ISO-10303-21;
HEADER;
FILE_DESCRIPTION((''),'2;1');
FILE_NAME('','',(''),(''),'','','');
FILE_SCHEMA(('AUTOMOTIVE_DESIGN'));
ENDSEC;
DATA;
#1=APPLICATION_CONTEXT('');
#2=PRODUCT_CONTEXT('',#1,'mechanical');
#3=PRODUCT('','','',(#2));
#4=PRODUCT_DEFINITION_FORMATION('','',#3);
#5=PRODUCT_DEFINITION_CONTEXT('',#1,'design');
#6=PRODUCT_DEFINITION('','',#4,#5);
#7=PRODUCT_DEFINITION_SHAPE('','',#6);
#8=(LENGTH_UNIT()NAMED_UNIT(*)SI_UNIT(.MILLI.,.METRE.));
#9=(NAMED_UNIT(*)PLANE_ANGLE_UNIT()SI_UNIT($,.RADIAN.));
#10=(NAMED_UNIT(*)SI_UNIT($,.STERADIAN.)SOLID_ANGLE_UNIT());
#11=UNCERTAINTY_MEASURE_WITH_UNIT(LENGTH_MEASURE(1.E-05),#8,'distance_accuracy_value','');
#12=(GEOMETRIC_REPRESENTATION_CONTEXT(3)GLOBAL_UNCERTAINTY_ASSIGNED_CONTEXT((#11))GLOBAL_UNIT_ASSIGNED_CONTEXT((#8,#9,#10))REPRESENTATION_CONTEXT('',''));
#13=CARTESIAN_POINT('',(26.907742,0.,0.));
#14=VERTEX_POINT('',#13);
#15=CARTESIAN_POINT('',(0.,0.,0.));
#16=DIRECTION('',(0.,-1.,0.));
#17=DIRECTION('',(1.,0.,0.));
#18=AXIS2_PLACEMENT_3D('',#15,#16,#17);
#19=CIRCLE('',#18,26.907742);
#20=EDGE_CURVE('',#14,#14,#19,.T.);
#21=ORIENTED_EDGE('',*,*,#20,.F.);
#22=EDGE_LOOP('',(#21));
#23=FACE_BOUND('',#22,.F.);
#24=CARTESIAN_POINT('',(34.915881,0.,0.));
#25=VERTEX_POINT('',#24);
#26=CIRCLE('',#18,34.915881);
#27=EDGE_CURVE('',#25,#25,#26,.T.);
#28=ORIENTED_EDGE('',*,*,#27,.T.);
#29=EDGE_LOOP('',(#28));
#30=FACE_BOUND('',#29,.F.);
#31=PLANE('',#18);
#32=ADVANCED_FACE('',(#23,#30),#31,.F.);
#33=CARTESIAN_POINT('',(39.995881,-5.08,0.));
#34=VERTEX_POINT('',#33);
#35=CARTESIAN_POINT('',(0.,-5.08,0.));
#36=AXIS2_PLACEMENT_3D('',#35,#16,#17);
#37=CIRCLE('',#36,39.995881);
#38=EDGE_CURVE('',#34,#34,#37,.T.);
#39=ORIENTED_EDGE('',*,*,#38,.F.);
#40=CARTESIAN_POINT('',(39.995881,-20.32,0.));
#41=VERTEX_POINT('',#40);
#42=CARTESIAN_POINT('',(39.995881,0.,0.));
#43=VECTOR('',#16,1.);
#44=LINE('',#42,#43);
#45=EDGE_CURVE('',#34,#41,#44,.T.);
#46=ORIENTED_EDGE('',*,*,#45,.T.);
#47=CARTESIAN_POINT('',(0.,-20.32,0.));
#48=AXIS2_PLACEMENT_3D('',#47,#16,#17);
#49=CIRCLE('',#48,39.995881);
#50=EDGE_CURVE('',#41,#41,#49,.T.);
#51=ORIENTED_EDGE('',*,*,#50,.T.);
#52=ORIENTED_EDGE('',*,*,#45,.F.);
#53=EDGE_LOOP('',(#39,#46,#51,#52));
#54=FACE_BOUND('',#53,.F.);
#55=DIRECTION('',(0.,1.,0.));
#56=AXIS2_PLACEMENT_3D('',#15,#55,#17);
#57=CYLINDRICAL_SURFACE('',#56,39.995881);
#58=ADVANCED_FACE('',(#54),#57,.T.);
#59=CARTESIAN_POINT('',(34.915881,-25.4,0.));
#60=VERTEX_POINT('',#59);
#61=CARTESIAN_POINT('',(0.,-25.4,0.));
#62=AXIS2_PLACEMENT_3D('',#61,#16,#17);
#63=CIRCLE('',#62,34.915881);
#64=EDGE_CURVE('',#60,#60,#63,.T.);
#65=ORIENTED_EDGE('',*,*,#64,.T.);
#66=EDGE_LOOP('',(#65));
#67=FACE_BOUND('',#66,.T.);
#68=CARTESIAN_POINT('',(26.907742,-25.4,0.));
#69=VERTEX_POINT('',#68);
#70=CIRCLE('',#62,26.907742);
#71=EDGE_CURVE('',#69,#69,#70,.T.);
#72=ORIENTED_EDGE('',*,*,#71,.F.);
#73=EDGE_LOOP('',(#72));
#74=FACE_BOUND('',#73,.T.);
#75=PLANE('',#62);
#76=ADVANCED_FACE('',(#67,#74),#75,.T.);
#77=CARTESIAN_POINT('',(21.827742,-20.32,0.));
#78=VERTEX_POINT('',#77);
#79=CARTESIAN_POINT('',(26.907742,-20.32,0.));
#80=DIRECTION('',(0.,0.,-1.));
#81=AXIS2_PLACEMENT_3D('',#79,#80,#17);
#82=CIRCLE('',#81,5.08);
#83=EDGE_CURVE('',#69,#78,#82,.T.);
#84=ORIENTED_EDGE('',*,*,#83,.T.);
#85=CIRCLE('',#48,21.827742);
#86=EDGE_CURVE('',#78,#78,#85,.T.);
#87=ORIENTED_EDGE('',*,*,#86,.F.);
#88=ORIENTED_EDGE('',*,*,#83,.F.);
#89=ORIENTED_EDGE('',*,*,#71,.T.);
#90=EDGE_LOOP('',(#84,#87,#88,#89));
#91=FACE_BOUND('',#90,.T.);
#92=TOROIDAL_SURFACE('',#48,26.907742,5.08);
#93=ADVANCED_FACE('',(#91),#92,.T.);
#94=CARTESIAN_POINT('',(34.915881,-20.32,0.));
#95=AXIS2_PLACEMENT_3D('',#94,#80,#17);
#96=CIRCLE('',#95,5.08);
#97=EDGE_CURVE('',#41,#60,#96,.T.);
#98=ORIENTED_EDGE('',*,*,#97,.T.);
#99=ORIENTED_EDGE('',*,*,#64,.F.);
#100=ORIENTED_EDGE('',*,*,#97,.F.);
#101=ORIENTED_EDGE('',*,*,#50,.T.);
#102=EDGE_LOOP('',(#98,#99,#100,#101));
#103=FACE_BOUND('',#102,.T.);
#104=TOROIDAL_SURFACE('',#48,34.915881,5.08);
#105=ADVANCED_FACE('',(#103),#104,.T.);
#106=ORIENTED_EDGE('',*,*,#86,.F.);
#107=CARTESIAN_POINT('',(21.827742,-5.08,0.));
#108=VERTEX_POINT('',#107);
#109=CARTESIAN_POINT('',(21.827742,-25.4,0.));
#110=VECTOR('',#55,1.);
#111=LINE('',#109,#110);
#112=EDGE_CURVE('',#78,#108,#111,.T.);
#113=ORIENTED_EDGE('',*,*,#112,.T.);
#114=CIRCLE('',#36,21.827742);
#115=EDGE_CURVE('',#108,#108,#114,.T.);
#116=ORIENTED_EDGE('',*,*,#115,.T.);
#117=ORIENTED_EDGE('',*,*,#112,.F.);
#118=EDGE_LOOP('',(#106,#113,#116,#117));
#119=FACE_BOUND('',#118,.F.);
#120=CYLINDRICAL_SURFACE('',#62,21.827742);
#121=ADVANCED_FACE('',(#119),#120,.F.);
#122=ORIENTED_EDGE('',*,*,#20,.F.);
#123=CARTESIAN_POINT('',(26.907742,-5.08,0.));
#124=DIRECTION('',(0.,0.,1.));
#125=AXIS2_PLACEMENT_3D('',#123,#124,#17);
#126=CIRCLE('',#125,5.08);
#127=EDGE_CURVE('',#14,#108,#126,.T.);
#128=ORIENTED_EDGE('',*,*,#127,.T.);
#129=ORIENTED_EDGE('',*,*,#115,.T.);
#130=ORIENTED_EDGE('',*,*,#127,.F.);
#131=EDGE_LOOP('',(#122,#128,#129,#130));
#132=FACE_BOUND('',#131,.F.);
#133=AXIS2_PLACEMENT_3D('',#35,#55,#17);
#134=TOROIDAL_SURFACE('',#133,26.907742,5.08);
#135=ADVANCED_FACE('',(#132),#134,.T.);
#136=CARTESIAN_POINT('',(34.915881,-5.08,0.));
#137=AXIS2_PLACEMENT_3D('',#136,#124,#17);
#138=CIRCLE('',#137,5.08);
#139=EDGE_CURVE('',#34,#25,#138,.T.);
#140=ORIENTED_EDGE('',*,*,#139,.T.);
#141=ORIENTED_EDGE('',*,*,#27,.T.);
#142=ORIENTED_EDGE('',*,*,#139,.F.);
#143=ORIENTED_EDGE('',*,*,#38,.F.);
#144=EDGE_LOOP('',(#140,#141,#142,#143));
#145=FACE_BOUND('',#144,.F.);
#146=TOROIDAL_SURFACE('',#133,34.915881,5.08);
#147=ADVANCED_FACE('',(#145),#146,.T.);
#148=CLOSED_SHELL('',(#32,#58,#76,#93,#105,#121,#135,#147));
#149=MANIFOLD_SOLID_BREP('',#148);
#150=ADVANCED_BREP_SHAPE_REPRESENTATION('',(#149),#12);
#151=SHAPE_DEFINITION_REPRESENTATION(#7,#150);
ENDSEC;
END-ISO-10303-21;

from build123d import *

# Parameters (mm, degrees)
F0_R     = 39.9958807844
F1_DEPTH = 25.4
F2_R     = 21.8277416201
F3_DEPTH = 25.4
F4_R     = 5.08
F5_R     = 5.08


with BuildPart() as f1:
    # F0 (on Front) → F1 (new body)
    with BuildSketch(Plane.XZ):
        Circle(F0_R)
    extrude(amount=F1_DEPTH)

    # F2 (on face) → F3 (cut)
    with BuildSketch(Plane.XZ.offset(25.4)):
        Circle(F2_R)
    extrude(amount=-F3_DEPTH, mode=Mode.SUBTRACT)

    # F4
    f4_edges = [f1.edges().sort_by_distance(p)[0] for p in [
        (-39.995881, -25.4, 0),
        (-21.827742, -25.4, 0),
    ]]
    fillet(f4_edges, radius=F4_R)

    # F5
    f5_edges = [f1.edges().sort_by_distance(p)[0] for p in [
        (-39.995881, 0, 0),
        (-21.827742, 0, 0),
    ]]
    fillet(f5_edges, radius=F5_R)


solid = f1.part
